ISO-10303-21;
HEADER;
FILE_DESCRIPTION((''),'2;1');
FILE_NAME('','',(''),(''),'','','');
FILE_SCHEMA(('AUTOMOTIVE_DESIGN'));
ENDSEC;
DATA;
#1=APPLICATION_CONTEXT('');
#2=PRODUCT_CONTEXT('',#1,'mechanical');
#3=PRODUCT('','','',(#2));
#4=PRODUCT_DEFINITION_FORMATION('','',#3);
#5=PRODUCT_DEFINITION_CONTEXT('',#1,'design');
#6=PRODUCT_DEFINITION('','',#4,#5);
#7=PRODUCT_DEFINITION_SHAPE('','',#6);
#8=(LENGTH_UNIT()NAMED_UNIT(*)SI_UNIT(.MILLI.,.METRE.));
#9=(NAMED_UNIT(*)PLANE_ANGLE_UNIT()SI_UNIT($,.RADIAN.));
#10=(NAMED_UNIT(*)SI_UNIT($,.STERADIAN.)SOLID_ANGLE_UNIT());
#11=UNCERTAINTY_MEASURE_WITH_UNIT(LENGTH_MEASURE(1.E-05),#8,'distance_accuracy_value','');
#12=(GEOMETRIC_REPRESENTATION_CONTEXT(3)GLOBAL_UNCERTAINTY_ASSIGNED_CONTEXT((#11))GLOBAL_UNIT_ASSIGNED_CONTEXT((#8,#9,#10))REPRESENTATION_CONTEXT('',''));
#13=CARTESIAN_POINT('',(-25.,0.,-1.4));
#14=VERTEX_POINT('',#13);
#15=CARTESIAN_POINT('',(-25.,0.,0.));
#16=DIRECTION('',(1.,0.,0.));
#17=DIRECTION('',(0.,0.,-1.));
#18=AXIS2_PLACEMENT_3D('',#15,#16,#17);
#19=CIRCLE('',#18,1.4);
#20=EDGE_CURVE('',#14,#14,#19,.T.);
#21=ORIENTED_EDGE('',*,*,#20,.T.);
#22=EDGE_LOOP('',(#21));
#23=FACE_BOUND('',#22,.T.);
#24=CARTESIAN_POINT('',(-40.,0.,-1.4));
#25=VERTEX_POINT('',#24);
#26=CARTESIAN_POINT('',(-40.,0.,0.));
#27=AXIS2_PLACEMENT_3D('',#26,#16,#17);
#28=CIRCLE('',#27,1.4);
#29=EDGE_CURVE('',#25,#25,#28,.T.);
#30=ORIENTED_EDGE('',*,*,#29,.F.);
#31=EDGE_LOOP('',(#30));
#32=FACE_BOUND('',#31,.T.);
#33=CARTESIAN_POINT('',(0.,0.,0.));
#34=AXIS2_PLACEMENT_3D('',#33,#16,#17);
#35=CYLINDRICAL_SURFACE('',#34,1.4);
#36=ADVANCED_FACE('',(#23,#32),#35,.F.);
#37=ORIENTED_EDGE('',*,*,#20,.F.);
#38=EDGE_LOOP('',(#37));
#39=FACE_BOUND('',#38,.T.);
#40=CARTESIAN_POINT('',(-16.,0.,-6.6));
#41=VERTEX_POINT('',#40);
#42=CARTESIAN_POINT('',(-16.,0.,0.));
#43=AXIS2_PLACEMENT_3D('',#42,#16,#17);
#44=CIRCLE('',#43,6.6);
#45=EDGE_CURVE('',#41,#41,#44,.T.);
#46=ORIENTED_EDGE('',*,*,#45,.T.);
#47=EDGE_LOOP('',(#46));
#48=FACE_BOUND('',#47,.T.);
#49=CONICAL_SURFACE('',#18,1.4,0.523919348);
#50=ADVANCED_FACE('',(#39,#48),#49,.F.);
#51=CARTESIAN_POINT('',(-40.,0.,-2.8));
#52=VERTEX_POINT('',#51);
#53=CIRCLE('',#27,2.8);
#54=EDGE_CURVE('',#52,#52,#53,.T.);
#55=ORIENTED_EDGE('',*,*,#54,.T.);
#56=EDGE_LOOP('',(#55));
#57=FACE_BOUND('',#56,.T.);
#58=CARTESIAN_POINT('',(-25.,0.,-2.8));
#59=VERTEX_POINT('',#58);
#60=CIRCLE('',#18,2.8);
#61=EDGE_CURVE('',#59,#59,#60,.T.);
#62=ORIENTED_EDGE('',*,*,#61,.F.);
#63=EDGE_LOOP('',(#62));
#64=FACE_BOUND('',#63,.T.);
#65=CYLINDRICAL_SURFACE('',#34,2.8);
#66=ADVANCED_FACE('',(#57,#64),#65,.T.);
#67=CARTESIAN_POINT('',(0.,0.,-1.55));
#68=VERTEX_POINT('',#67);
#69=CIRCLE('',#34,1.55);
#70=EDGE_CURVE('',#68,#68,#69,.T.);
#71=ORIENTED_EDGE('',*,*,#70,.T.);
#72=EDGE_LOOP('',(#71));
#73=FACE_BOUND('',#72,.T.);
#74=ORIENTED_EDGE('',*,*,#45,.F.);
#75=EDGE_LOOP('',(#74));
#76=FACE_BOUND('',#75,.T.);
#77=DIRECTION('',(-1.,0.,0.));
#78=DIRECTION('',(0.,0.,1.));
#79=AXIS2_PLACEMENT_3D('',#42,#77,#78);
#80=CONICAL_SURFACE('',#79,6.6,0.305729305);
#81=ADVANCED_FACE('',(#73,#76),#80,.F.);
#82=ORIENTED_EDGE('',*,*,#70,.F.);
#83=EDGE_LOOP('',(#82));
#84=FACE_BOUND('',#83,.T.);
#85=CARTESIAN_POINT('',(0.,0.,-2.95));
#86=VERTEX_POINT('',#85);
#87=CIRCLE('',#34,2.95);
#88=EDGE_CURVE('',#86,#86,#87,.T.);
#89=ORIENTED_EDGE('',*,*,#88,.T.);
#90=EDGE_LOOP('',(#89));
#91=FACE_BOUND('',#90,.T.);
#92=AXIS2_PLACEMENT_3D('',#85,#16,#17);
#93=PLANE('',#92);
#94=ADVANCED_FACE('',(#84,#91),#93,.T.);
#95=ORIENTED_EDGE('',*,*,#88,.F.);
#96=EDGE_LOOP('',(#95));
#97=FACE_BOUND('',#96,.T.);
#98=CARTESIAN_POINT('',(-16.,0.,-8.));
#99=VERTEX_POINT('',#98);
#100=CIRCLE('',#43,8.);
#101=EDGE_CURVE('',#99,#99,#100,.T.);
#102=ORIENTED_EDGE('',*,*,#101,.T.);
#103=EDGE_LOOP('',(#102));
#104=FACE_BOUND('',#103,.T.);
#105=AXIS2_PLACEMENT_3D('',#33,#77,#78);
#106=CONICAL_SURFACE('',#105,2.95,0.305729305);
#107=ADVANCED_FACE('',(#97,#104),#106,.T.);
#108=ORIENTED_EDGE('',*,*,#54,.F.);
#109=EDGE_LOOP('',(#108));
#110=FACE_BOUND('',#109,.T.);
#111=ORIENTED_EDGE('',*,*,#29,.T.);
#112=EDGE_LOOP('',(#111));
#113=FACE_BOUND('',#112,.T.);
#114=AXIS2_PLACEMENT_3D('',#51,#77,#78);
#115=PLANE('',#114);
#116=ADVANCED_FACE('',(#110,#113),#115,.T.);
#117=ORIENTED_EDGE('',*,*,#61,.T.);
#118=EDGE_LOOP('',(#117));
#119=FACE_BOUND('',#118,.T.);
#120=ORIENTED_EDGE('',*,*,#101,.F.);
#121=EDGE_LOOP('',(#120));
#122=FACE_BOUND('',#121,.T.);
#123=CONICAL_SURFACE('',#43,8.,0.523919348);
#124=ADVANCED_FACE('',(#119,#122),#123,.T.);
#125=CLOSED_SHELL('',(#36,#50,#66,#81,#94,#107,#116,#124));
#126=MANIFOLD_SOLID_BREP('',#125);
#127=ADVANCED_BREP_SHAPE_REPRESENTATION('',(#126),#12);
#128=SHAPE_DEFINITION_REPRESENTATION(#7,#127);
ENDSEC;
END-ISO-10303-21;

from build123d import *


with BuildPart() as part:
    # Sketch1 → Revolve1 (revolve)
    with BuildSketch(Plane(origin=(0, 0, 0), x_dir=(1, 0, 0), z_dir=(0, 1, 0))):
        Polygon((-40, 1.4), (-25, 1.4), (-16, 6.6), (0, 1.55), (0, 2.95), (-16, 8), (-25, 2.8), (-40, 2.8), align=None)
    revolve(axis=Axis((0, 0, 0), (-1, 0, 0)))


solid = part.part
